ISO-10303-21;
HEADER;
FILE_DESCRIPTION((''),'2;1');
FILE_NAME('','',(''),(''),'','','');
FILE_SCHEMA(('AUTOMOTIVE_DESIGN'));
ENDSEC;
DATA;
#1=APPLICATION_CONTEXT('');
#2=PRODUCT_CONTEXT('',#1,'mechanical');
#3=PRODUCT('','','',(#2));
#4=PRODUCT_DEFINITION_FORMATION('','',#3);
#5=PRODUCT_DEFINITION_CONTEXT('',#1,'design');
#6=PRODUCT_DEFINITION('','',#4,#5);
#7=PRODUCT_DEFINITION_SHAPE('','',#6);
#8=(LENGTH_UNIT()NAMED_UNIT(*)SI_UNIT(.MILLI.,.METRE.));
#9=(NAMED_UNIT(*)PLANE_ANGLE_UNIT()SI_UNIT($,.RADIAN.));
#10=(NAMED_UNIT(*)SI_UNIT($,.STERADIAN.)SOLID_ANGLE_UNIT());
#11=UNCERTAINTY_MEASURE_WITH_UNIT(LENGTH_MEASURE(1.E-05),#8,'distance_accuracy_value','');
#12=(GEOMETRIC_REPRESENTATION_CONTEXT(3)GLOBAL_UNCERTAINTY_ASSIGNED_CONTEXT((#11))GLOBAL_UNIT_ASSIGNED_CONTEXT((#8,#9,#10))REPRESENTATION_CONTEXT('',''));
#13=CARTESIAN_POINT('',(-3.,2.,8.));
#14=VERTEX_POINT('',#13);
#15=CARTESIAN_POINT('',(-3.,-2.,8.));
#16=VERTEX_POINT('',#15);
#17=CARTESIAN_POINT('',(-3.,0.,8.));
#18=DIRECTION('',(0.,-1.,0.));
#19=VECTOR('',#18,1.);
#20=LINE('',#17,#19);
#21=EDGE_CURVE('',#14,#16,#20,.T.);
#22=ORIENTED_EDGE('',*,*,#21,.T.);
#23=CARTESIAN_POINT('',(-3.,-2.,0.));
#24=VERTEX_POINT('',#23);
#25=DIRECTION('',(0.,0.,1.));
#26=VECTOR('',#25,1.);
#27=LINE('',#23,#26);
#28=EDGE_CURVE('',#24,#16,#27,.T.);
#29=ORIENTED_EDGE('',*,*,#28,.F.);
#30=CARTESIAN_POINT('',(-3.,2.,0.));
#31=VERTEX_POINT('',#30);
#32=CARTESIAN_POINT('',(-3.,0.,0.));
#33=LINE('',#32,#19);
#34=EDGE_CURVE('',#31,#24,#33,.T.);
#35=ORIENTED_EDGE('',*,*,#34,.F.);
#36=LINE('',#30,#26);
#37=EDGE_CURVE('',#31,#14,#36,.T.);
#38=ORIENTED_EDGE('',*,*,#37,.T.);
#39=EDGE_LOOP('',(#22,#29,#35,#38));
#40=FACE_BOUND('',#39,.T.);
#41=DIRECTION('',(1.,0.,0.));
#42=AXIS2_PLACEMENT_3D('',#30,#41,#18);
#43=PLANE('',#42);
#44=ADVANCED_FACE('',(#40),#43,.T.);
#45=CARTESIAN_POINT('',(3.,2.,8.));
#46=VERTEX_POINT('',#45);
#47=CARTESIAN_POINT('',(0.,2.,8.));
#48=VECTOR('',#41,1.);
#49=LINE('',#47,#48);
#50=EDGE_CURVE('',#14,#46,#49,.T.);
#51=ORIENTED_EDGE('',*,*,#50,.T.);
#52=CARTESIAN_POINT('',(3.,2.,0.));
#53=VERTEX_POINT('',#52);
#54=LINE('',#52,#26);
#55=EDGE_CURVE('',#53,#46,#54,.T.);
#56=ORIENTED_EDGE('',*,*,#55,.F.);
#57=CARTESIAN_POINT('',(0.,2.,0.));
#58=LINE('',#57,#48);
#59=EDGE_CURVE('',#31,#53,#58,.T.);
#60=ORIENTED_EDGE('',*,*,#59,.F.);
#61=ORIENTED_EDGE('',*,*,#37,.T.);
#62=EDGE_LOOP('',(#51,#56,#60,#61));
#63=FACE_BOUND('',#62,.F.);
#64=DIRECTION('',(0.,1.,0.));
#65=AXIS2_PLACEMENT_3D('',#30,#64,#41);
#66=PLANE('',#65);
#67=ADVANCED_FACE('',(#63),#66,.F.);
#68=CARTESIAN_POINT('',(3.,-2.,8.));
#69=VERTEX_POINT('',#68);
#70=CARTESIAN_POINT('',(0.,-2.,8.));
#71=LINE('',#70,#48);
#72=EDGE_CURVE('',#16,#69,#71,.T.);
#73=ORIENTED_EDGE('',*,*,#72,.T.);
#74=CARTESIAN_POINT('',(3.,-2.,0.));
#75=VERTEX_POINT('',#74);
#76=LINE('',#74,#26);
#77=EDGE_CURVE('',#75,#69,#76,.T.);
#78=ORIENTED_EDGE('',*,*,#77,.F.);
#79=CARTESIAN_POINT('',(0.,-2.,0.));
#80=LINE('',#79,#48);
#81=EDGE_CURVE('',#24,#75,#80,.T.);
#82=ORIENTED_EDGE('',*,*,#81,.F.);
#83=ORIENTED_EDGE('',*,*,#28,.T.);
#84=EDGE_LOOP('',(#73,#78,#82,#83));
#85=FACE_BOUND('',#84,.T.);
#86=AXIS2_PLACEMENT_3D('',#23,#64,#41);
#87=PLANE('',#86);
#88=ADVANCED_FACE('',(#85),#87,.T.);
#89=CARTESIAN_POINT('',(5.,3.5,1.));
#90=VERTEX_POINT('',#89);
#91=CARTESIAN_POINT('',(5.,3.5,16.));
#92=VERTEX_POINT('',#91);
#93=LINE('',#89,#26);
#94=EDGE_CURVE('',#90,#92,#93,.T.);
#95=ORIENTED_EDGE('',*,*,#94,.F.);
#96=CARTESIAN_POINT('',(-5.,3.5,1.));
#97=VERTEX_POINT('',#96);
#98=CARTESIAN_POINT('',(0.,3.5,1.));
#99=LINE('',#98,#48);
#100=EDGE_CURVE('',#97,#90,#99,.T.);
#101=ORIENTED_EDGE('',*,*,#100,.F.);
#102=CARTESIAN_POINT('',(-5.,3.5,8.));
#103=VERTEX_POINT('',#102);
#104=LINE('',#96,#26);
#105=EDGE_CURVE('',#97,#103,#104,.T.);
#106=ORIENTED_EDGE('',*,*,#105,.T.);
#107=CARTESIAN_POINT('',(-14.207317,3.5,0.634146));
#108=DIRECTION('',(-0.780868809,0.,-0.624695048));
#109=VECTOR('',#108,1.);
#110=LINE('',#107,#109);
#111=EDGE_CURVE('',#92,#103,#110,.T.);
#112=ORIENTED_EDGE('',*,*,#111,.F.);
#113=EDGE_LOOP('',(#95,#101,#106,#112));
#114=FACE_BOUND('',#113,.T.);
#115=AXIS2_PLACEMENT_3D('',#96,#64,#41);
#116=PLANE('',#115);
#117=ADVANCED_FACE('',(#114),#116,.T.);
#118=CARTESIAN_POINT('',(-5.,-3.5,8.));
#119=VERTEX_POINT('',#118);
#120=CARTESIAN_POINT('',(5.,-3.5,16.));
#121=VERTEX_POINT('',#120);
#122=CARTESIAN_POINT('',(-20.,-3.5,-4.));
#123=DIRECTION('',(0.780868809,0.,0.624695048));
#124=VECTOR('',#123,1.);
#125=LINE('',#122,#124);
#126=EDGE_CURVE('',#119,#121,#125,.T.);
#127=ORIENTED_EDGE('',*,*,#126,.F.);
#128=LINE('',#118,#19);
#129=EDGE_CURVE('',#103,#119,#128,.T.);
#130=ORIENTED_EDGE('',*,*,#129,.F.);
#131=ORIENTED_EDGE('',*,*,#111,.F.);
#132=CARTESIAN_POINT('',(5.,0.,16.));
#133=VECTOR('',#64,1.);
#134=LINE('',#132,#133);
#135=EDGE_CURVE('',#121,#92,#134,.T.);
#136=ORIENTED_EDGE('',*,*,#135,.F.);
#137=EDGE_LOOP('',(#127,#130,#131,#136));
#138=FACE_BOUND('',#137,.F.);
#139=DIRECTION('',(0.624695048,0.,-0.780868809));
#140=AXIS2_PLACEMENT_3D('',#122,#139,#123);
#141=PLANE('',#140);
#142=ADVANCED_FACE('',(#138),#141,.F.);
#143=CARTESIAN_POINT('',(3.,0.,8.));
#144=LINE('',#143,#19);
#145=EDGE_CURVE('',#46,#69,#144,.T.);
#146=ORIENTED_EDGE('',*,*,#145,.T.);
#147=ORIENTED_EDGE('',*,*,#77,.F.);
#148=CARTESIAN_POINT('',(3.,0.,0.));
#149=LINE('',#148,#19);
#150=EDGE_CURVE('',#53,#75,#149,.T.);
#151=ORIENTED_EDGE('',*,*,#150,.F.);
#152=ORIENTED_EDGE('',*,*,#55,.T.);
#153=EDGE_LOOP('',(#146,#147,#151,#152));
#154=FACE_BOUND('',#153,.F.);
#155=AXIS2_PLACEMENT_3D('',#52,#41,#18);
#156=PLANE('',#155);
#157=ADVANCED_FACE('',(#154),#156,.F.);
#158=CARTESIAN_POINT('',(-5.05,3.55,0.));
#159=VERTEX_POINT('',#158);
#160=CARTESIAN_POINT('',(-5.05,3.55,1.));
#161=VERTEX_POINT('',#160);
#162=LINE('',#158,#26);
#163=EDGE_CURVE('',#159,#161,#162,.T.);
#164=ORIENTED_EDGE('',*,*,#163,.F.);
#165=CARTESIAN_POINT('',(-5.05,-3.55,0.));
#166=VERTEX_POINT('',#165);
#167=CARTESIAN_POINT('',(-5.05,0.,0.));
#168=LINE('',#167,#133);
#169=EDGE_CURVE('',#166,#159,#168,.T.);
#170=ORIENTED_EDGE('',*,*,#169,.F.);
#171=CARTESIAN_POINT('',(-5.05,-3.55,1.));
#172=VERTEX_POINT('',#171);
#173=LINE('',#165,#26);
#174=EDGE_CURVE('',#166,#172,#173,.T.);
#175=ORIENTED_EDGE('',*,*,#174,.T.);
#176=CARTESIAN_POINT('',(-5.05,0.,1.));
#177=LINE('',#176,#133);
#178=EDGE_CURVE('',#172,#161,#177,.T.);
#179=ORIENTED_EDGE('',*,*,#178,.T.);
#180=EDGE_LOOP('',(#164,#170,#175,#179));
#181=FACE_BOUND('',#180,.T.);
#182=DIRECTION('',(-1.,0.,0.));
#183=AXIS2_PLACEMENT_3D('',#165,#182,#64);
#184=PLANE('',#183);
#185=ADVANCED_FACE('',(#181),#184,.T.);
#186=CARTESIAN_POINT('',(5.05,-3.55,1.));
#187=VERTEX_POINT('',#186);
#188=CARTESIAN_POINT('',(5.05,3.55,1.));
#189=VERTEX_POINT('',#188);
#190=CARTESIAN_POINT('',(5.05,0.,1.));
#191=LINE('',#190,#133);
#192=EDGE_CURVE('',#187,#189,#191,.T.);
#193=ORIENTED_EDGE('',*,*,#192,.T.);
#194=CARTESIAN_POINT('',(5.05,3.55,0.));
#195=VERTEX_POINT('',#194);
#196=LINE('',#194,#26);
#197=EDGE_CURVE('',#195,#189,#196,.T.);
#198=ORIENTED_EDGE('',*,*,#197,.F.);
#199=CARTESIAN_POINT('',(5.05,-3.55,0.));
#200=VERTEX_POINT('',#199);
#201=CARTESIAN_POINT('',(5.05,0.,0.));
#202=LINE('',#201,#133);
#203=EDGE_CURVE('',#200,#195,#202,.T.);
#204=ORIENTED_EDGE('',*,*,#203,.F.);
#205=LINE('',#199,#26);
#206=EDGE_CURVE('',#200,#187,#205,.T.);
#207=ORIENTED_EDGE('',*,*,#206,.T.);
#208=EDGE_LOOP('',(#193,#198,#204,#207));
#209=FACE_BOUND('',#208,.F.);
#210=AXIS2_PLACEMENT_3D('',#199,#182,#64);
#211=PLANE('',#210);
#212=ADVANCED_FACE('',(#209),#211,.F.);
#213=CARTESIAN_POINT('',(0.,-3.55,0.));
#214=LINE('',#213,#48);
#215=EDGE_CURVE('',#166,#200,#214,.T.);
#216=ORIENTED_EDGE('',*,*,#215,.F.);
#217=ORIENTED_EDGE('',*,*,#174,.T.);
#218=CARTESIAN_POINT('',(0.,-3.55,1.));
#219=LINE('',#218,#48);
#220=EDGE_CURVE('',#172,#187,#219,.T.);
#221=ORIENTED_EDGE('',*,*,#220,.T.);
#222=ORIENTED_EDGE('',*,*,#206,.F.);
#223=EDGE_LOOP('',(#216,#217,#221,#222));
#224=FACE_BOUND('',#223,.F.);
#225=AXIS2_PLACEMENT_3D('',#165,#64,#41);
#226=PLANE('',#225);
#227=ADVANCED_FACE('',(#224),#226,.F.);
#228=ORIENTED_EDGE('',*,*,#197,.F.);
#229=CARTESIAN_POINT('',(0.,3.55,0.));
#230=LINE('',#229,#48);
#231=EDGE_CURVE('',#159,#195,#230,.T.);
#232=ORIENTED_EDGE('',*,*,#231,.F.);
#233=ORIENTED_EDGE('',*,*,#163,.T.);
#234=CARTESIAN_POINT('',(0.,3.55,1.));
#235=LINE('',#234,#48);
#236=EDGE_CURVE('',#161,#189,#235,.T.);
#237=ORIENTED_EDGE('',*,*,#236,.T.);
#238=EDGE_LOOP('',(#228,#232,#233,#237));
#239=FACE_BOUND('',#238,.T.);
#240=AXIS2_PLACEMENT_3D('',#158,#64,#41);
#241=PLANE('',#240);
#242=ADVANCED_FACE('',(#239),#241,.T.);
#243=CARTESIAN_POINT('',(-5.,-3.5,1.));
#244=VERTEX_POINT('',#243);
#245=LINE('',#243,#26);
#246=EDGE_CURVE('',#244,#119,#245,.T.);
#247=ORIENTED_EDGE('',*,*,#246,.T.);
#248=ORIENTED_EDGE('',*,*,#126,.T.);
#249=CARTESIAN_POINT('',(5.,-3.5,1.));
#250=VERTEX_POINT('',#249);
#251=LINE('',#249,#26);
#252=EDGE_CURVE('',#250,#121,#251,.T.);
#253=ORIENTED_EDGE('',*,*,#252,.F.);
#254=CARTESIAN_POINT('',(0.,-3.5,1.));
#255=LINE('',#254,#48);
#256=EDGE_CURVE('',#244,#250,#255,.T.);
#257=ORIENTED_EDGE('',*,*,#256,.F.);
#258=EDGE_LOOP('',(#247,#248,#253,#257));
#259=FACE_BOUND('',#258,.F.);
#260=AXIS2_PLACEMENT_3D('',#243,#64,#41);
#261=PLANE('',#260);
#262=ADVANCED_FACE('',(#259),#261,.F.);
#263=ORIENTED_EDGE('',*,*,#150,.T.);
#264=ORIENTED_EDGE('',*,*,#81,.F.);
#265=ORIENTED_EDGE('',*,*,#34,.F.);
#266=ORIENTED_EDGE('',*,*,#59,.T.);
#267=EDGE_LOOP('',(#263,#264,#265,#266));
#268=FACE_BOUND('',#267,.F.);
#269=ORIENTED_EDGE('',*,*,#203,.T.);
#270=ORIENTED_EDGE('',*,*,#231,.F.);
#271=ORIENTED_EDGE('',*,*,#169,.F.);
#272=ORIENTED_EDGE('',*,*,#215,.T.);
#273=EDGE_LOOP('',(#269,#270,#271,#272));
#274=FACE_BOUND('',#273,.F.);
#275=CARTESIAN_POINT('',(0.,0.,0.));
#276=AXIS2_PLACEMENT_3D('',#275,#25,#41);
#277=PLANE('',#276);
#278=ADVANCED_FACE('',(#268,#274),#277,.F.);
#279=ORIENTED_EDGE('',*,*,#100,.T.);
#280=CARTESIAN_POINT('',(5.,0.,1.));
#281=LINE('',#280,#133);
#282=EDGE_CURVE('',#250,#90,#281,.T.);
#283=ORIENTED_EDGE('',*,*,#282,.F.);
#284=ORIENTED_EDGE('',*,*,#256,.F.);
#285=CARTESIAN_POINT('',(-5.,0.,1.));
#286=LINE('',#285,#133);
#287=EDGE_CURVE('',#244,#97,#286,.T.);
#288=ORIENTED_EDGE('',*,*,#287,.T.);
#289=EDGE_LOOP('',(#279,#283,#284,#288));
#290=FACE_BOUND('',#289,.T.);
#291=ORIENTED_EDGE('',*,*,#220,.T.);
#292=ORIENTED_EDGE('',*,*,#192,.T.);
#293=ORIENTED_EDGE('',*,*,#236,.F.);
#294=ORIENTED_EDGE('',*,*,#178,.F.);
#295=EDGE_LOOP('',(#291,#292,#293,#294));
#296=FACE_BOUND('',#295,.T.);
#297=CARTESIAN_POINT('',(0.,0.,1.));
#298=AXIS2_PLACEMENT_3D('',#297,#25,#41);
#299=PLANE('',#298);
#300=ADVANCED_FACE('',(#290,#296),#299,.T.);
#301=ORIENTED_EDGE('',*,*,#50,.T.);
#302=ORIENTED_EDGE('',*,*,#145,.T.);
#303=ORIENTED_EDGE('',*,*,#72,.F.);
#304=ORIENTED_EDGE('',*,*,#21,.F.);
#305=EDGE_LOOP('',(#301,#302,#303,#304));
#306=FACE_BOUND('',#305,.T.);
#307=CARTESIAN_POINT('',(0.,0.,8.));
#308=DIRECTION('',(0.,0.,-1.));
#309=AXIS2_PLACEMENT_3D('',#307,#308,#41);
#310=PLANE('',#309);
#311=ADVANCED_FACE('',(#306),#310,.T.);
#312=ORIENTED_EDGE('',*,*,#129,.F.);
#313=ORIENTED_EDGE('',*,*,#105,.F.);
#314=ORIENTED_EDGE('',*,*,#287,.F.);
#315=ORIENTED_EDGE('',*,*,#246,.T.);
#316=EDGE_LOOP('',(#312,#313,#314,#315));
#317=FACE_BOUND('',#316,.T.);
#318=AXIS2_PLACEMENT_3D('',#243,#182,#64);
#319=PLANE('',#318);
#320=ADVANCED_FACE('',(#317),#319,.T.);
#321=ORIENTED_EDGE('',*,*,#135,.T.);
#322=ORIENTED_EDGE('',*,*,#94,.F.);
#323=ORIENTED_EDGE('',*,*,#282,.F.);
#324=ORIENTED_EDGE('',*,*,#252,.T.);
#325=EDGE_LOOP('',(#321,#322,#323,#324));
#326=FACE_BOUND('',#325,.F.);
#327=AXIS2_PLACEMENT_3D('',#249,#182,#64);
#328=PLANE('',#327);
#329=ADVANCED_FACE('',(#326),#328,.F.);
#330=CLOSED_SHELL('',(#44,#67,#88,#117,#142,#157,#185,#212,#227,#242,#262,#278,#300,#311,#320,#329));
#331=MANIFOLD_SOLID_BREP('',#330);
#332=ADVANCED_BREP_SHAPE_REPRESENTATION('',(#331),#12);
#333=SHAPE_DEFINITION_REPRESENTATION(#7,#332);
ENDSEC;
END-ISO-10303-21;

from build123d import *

# Parameters (mm, degrees)
SKETCH_W        = 10.1
SKETCH_H        = 7.1
PAD_DEPTH       = 1
SKETCH001_W     = 10
SKETCH001_H     = 7
PAD001_DEPTH    = 15
POCKET_DEPTH    = 7.051
SKETCH003_W     = 6
SKETCH003_H     = 4
POCKET001_DEPTH = 8


with BuildPart() as part:
    # Sketch → Pad (new body)
    with BuildSketch(Plane.XY):
        Rectangle(SKETCH_W, SKETCH_H)
    extrude(amount=PAD_DEPTH)

    # Sketch001 → Pad001 (new body)
    with BuildSketch(Plane.XY.offset(1)):
        Rectangle(SKETCH001_W, SKETCH001_H)
    extrude(amount=PAD001_DEPTH)

    # Sketch002 → Pocket (cut, through all)
    with BuildSketch(Plane.XZ.offset(3.5)):
        Polygon((5, 16), (-20, 16), (-20, -4), align=None)
    extrude(amount=-POCKET_DEPTH, mode=Mode.SUBTRACT)

    # Sketch003 → Pocket001 (cut)
    with BuildSketch(Plane(origin=(0, 0, 0), x_dir=(1, 0, 0), z_dir=(0, 0, -1))):
        Rectangle(SKETCH003_W, SKETCH003_H)
    extrude(amount=-POCKET001_DEPTH, mode=Mode.SUBTRACT)


solid = part.part
